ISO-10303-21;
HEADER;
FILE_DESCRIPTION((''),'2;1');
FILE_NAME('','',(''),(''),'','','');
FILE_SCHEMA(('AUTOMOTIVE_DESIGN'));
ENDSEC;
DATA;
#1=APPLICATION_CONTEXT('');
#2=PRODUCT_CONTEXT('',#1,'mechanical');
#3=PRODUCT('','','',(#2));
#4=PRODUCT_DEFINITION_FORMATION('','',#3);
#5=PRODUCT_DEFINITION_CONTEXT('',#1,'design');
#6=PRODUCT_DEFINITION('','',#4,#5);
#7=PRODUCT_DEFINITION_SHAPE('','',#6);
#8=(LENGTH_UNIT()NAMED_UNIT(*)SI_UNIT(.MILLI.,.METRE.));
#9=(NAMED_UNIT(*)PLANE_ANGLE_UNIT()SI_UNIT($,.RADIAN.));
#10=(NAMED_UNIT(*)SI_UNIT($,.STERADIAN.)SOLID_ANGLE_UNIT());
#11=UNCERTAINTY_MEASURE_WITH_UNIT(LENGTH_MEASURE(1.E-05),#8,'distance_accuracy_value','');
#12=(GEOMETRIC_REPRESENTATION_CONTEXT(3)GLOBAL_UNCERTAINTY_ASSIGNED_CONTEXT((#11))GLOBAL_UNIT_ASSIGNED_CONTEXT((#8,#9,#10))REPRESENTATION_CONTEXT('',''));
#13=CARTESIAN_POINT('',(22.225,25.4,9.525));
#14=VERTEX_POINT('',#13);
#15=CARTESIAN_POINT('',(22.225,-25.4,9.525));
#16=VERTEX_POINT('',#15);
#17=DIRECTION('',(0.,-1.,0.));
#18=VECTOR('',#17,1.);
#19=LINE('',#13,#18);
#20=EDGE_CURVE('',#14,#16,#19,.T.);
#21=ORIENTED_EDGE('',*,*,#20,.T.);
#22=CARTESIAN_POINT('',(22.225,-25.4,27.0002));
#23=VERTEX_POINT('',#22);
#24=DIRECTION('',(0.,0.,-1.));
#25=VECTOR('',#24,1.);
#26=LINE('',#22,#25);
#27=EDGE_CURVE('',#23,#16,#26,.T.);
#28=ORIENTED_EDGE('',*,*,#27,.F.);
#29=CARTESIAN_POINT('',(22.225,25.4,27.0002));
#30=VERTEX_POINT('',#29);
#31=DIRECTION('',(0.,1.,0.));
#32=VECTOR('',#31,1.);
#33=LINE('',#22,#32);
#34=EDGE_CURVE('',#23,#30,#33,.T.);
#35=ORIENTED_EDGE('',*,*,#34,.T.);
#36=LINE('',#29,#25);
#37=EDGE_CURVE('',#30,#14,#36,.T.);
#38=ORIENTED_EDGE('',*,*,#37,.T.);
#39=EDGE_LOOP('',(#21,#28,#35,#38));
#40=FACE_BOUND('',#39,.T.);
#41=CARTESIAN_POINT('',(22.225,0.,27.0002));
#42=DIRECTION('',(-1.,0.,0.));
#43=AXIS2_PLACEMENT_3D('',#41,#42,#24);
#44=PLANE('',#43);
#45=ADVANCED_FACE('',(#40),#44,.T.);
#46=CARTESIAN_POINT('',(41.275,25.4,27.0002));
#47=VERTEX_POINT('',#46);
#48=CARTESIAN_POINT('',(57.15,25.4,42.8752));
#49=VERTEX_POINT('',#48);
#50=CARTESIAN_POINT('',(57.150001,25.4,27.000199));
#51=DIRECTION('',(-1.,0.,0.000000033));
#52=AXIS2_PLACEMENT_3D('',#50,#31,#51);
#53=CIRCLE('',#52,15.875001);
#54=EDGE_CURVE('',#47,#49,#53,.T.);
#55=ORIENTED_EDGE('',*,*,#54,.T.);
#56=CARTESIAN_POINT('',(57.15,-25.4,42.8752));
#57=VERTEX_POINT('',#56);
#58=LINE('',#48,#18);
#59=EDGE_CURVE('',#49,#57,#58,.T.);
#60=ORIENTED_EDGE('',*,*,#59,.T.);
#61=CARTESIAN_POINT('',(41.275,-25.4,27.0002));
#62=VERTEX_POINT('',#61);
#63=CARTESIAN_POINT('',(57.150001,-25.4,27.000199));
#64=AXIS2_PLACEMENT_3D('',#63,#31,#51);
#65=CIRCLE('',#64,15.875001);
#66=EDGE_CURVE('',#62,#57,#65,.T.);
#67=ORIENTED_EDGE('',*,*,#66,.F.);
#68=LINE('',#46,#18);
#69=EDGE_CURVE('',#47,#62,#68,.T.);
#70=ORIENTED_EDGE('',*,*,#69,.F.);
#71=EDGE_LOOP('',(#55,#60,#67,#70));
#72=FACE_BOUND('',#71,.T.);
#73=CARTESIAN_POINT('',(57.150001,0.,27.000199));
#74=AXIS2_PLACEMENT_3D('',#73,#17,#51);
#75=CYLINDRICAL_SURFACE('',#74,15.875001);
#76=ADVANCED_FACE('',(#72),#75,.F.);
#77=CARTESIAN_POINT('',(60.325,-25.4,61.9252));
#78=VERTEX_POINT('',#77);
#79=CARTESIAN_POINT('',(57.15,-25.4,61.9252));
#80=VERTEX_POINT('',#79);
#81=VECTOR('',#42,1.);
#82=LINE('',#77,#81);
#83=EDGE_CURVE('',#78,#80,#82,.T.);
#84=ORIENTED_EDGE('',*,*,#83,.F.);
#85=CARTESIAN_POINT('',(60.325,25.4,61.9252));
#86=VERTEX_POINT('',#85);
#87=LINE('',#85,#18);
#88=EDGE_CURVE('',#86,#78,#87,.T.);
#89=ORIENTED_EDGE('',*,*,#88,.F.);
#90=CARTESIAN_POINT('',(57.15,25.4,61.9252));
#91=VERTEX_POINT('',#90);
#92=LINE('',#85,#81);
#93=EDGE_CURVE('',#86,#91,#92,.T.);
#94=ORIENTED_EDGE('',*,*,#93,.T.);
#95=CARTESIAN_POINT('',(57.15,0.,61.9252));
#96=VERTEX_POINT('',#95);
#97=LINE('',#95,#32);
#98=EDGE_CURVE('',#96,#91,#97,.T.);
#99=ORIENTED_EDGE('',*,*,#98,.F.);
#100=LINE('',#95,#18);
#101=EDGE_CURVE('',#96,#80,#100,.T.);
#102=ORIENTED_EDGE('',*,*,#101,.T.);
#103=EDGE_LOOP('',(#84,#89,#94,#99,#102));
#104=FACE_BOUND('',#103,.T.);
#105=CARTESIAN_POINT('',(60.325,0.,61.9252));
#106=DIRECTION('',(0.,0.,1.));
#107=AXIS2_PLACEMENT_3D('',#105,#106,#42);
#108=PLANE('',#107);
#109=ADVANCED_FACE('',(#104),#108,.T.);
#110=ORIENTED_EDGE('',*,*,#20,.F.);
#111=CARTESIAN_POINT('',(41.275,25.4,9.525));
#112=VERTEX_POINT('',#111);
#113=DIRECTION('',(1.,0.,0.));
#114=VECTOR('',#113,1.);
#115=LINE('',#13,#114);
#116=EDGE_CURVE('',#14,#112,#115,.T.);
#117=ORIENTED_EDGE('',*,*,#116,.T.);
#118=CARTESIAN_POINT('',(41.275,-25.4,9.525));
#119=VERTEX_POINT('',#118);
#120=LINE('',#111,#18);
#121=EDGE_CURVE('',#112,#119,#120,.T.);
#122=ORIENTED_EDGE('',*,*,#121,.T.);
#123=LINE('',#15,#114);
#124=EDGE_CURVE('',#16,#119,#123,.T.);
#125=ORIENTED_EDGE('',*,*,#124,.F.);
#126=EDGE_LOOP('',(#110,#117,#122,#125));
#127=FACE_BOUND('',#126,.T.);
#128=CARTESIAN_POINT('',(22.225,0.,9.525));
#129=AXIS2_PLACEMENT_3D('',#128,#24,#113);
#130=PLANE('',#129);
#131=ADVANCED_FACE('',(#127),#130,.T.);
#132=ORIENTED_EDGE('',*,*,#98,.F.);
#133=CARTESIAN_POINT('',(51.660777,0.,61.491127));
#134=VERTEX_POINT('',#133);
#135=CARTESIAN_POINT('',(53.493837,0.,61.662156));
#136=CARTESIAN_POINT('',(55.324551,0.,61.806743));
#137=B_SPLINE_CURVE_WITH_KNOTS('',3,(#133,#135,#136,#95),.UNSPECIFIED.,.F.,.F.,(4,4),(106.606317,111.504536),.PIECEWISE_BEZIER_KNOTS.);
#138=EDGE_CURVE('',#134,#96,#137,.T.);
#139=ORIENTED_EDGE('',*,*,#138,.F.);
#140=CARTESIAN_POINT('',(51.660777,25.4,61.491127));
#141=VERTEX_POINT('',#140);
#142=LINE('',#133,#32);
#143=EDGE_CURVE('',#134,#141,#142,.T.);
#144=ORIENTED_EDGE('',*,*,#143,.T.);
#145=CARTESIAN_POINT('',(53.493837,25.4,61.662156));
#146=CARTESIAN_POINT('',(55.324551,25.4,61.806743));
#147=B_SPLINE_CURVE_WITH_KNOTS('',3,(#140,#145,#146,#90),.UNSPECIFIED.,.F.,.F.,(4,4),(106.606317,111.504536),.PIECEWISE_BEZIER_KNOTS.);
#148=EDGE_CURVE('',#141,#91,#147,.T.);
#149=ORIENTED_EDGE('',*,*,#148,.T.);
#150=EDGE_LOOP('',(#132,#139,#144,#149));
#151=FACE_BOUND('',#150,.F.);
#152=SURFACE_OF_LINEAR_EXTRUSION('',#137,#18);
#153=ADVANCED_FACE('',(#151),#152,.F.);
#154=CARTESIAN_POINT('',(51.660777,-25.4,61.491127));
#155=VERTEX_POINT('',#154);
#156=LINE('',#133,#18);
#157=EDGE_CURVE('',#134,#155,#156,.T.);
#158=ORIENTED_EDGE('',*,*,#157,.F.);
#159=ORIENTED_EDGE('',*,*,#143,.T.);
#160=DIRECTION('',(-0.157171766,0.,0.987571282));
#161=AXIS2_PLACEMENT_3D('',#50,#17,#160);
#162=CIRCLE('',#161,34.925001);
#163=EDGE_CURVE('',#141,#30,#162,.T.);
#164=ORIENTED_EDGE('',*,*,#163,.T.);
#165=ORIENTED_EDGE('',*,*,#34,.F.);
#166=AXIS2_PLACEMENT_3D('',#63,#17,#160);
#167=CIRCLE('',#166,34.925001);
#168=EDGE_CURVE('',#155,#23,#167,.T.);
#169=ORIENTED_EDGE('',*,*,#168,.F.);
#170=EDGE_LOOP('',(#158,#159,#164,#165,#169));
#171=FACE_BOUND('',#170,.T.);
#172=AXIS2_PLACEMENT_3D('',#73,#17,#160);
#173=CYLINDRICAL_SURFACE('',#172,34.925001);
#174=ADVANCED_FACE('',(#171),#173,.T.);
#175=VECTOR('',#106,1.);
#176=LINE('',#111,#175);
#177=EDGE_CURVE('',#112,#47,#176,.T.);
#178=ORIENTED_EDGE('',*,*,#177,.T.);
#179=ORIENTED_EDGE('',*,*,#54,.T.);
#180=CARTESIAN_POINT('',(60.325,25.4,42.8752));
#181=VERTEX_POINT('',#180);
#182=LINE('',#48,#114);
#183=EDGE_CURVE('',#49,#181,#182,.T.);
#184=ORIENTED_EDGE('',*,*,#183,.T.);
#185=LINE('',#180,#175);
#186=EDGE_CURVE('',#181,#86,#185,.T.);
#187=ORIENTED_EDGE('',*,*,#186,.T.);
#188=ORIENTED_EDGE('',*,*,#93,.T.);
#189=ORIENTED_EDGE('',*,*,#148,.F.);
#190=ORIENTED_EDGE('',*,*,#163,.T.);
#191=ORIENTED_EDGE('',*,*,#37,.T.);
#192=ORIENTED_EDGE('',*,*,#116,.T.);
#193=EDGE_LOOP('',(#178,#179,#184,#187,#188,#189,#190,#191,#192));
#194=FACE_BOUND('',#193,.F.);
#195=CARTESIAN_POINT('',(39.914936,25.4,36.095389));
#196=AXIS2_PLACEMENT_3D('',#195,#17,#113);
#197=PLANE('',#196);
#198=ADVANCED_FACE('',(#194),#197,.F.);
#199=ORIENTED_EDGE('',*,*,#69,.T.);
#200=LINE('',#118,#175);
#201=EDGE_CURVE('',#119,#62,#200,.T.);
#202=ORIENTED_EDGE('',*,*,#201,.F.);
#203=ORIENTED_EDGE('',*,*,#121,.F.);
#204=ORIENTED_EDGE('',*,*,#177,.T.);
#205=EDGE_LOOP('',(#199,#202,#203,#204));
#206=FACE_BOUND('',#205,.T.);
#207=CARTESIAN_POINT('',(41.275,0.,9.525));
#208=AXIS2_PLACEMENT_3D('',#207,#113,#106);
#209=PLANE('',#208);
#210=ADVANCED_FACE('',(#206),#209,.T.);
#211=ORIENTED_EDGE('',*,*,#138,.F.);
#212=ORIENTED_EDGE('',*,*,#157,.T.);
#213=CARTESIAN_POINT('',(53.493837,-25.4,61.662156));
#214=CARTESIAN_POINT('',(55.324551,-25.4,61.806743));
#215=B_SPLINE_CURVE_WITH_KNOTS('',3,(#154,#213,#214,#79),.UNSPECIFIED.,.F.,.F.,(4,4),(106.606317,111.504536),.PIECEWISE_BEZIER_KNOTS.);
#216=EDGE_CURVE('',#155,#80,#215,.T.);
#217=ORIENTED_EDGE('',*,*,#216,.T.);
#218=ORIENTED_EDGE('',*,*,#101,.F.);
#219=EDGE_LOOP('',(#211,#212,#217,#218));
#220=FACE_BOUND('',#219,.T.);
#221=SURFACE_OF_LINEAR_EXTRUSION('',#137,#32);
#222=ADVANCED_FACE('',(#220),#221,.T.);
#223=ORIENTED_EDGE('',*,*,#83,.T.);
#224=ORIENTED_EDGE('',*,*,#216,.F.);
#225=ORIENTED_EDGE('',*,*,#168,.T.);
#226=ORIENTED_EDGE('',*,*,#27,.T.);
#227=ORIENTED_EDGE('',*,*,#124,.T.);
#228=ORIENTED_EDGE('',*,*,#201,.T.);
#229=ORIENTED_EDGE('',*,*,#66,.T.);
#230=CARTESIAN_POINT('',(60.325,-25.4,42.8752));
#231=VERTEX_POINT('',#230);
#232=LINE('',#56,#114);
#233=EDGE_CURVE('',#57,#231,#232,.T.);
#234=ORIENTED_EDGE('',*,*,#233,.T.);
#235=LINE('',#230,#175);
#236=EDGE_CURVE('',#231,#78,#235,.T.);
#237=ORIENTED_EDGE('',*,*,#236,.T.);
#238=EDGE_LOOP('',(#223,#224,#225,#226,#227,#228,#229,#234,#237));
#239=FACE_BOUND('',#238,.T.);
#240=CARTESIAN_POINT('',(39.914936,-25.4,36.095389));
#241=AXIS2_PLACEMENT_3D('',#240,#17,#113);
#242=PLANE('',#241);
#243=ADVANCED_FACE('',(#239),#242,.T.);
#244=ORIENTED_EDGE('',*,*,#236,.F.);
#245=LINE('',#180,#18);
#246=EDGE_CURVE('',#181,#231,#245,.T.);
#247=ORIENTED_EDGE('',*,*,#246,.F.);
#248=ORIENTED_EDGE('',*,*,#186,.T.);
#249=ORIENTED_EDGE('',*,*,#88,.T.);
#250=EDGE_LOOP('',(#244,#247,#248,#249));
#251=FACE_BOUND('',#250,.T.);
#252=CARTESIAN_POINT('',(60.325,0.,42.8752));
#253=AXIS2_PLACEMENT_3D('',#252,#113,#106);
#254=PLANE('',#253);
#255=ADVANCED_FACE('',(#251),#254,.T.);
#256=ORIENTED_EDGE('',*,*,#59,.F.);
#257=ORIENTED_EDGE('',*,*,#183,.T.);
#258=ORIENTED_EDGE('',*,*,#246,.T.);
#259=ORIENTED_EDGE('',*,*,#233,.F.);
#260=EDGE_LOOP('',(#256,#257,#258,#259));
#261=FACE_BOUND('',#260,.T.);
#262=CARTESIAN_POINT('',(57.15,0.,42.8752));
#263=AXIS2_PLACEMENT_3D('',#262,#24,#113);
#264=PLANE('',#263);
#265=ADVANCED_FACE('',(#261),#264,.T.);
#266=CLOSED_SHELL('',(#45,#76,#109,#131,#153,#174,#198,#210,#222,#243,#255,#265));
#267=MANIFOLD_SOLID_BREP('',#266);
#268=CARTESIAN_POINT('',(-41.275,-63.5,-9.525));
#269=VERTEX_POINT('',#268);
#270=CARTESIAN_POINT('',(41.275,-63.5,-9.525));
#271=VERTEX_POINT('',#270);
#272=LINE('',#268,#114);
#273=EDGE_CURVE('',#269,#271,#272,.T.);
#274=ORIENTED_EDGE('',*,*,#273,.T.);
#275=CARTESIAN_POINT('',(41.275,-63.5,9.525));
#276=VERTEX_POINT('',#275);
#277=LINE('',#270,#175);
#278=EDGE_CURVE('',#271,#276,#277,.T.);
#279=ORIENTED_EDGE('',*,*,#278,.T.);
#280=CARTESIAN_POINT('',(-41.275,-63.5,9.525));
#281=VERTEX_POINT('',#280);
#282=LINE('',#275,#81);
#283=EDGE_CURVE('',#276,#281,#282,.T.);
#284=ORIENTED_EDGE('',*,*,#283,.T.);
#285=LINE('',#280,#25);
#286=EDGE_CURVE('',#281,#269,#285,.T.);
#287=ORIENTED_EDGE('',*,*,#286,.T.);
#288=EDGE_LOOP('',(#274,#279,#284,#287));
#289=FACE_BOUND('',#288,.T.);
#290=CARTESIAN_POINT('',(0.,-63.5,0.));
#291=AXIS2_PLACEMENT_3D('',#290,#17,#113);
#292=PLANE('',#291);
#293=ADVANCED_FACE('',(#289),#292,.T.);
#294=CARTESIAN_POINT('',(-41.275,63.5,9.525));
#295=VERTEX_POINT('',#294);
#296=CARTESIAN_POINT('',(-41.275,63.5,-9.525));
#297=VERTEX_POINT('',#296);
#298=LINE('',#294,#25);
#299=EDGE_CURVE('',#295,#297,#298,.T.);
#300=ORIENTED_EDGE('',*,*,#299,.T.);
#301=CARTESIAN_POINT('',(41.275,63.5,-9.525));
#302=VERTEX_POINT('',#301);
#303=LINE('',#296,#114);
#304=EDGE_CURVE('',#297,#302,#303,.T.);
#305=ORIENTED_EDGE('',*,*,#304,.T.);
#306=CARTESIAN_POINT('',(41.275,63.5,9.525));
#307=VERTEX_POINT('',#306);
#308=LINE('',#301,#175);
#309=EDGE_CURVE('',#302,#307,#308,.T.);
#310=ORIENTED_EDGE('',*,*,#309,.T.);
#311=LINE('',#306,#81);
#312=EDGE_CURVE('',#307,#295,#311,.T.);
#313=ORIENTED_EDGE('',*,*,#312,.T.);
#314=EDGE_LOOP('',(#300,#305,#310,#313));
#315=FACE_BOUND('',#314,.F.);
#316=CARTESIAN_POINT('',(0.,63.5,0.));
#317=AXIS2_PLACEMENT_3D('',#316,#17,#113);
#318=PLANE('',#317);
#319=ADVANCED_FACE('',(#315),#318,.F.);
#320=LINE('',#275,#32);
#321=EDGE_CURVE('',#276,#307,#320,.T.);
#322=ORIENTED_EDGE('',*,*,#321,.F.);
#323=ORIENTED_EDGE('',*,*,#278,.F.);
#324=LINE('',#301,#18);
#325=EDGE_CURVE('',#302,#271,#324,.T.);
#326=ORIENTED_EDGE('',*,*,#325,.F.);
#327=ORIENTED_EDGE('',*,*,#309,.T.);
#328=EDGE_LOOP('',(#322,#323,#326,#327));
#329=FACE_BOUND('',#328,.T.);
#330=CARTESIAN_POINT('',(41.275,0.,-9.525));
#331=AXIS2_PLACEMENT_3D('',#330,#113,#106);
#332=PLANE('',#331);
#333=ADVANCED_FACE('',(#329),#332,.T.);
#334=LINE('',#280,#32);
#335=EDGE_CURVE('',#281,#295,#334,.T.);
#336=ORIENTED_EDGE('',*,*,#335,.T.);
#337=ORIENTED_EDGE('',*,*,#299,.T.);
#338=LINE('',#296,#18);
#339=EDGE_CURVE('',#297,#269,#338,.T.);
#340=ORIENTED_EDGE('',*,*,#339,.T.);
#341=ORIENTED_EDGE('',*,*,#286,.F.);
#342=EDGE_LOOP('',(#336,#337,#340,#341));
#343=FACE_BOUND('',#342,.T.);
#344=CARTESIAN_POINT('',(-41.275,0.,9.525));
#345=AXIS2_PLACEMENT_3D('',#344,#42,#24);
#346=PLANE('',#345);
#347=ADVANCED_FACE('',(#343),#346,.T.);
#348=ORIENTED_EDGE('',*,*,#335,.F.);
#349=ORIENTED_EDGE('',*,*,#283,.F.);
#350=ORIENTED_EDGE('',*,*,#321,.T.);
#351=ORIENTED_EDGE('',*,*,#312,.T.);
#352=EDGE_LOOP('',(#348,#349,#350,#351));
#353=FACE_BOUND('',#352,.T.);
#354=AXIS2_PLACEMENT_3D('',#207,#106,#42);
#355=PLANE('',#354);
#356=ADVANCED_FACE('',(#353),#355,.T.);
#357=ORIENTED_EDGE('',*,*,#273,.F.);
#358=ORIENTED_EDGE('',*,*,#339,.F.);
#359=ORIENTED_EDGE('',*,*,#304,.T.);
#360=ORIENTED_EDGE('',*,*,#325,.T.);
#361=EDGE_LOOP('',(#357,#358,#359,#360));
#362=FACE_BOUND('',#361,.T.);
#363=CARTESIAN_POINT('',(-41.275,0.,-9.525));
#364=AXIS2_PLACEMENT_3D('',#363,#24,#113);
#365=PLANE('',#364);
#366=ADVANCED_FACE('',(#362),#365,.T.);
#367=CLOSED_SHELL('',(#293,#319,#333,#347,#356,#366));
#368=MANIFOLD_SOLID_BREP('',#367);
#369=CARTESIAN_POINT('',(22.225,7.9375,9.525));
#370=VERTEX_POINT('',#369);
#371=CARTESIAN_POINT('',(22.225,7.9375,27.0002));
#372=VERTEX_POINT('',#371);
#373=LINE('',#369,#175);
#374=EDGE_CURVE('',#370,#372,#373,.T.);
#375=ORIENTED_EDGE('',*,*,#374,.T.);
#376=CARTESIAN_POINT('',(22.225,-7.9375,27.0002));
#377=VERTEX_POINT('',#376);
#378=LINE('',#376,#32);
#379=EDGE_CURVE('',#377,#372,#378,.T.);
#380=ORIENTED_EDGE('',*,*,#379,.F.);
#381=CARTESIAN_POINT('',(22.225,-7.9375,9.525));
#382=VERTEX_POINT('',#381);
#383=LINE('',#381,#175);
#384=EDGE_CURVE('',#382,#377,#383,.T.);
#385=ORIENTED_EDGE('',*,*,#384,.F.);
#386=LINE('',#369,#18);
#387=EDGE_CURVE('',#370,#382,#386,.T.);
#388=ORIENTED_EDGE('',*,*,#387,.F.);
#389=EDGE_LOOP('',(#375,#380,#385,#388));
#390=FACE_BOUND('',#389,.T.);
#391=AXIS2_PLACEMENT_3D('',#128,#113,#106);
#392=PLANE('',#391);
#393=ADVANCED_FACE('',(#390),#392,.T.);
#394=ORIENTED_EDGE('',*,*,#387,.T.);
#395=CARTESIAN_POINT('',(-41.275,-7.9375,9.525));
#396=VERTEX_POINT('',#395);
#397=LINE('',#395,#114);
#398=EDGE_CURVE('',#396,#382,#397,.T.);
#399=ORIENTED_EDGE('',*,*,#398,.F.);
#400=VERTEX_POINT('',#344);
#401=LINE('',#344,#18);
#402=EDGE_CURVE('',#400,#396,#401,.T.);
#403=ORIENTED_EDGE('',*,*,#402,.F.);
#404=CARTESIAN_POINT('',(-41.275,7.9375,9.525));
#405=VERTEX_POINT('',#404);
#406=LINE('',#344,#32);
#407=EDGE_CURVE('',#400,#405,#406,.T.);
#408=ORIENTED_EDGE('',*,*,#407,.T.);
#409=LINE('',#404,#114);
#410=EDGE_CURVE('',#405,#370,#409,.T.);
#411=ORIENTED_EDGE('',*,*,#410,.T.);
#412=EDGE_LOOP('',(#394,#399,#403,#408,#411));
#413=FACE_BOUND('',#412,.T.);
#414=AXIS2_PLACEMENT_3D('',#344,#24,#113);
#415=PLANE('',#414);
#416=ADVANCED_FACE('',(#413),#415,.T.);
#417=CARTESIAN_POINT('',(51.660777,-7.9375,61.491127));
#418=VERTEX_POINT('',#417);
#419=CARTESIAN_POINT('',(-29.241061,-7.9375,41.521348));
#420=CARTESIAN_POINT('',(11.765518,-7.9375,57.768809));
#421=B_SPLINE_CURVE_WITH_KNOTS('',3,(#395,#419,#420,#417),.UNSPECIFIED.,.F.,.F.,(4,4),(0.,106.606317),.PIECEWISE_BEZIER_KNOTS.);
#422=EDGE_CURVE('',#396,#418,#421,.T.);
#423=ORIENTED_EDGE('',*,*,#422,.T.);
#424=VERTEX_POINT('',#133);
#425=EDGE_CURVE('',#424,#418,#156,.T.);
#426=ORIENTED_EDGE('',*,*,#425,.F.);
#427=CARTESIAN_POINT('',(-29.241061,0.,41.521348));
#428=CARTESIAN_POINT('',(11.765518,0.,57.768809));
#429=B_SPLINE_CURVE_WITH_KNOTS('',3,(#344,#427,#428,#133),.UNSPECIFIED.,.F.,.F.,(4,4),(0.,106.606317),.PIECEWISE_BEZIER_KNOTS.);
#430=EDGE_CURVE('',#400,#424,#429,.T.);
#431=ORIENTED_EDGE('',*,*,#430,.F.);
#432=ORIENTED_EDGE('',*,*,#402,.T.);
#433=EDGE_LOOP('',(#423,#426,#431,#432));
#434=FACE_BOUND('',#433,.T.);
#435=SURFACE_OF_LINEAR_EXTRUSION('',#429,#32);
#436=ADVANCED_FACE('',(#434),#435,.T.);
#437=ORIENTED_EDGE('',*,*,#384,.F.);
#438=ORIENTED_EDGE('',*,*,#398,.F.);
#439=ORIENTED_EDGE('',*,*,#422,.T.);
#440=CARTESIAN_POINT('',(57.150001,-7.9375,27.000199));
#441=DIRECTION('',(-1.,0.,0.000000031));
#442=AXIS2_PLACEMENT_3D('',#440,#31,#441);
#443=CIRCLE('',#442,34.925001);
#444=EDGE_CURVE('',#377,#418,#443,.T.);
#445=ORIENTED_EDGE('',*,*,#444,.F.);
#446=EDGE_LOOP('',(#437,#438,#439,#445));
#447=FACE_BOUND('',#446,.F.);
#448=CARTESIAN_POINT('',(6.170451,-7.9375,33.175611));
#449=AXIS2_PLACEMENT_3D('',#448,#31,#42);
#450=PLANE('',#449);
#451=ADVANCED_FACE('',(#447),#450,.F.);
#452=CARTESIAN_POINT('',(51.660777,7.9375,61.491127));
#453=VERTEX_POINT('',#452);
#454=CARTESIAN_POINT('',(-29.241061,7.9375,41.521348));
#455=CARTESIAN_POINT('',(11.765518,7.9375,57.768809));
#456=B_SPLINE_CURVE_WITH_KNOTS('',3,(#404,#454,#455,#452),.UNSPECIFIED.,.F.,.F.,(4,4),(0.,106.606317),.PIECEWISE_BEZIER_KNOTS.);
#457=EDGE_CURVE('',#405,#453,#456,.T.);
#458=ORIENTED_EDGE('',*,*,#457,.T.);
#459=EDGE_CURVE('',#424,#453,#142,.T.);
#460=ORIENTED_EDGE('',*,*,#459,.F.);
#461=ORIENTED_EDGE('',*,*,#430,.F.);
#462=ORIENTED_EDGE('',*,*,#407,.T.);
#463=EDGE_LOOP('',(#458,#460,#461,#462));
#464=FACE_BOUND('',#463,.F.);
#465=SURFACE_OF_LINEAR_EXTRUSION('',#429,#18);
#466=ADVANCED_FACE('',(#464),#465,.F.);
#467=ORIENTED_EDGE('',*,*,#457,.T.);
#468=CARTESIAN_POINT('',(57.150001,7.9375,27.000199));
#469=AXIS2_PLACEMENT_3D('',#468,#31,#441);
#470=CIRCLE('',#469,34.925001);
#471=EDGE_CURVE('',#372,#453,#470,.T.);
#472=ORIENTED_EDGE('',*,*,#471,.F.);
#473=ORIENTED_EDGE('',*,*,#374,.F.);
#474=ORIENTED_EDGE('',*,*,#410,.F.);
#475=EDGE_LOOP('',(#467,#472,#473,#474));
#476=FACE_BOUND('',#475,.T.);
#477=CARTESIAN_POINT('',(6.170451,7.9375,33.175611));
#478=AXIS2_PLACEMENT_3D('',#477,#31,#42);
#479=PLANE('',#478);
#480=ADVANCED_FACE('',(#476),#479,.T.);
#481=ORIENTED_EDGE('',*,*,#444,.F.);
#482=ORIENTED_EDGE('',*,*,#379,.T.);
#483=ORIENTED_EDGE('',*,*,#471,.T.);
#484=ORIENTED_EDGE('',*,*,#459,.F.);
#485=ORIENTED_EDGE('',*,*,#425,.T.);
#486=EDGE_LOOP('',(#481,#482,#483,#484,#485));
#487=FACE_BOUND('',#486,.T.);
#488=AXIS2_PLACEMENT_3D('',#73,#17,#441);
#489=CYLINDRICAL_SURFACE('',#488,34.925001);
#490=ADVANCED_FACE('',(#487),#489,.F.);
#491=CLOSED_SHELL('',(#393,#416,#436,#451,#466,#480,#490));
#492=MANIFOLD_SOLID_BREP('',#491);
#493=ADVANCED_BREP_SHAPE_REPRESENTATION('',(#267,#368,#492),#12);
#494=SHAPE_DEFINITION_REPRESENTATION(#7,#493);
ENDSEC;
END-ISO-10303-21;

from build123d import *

# Parameters (mm, degrees)
F1_DEPTH = 63.5
F2_DEPTH = 25.4
F3_DEPTH = 7.9375


with BuildPart() as f1:
    # F0 (on Front) → F1 (new body, symmetric)
    with BuildSketch(Plane.XZ):
        Polygon((22.225, 9.525), (-41.275, 9.525), (-41.275, -9.525), (41.275, -9.525), (41.275, 9.525), align=None)
    extrude(amount=F1_DEPTH, both=True)


with BuildPart() as f2:
    # F0 (on Front) → F2 (new body, symmetric)
    with BuildSketch(Plane.XZ):
        with BuildLine():
            Line((22.225, 27.0002), (22.225, 9.525))
            Line((22.225, 9.525), (41.275, 9.525))
            Line((41.275, 9.525), (41.275, 27.0002))
            ThreePointArc((41.275, 27.0002), (45.92468, 38.22552), (57.15, 42.8752))
            Line((57.15, 42.8752), (60.325, 42.8752))
            Line((60.325, 42.8752), (60.325, 61.9252))
            Line((60.325, 61.9252), (57.15, 61.9252))
            add(Edge.make_bspline(
                [(51.660777, 61.491127), (53.493837, 61.662156), (55.324551, 61.806743), (57.15, 61.9252)],
                knots=[106.606317, 106.606317, 106.606317, 106.606317, 111.504536, 111.504536, 111.504536, 111.504536], degree=3))
            ThreePointArc((51.660777, 61.491127), (30.584358, 49.672259), (22.225, 27.0002))
        make_face()
    extrude(amount=F2_DEPTH, both=True)


with BuildPart() as f3:
    # F0 (on Front) → F3 (new body, symmetric)
    with BuildSketch(Plane.XZ):
        with BuildLine():
            add(Edge.make_bspline(
                [(-41.275, 9.525), (-29.241061, 41.521348), (11.765518, 57.768809), (51.660777, 61.491127)],
                knots=[0, 0, 0, 0, 106.606317, 106.606317, 106.606317, 106.606317], degree=3))
            Line((-41.275, 9.525), (22.225, 9.525))
            Line((22.225, 9.525), (22.225, 27.0002))
            ThreePointArc((22.225, 27.0002), (30.584358, 49.672259), (51.660777, 61.491127))
        make_face()
    extrude(amount=F3_DEPTH, both=True)


solid = Compound([f1.part, f2.part, f3.part])
